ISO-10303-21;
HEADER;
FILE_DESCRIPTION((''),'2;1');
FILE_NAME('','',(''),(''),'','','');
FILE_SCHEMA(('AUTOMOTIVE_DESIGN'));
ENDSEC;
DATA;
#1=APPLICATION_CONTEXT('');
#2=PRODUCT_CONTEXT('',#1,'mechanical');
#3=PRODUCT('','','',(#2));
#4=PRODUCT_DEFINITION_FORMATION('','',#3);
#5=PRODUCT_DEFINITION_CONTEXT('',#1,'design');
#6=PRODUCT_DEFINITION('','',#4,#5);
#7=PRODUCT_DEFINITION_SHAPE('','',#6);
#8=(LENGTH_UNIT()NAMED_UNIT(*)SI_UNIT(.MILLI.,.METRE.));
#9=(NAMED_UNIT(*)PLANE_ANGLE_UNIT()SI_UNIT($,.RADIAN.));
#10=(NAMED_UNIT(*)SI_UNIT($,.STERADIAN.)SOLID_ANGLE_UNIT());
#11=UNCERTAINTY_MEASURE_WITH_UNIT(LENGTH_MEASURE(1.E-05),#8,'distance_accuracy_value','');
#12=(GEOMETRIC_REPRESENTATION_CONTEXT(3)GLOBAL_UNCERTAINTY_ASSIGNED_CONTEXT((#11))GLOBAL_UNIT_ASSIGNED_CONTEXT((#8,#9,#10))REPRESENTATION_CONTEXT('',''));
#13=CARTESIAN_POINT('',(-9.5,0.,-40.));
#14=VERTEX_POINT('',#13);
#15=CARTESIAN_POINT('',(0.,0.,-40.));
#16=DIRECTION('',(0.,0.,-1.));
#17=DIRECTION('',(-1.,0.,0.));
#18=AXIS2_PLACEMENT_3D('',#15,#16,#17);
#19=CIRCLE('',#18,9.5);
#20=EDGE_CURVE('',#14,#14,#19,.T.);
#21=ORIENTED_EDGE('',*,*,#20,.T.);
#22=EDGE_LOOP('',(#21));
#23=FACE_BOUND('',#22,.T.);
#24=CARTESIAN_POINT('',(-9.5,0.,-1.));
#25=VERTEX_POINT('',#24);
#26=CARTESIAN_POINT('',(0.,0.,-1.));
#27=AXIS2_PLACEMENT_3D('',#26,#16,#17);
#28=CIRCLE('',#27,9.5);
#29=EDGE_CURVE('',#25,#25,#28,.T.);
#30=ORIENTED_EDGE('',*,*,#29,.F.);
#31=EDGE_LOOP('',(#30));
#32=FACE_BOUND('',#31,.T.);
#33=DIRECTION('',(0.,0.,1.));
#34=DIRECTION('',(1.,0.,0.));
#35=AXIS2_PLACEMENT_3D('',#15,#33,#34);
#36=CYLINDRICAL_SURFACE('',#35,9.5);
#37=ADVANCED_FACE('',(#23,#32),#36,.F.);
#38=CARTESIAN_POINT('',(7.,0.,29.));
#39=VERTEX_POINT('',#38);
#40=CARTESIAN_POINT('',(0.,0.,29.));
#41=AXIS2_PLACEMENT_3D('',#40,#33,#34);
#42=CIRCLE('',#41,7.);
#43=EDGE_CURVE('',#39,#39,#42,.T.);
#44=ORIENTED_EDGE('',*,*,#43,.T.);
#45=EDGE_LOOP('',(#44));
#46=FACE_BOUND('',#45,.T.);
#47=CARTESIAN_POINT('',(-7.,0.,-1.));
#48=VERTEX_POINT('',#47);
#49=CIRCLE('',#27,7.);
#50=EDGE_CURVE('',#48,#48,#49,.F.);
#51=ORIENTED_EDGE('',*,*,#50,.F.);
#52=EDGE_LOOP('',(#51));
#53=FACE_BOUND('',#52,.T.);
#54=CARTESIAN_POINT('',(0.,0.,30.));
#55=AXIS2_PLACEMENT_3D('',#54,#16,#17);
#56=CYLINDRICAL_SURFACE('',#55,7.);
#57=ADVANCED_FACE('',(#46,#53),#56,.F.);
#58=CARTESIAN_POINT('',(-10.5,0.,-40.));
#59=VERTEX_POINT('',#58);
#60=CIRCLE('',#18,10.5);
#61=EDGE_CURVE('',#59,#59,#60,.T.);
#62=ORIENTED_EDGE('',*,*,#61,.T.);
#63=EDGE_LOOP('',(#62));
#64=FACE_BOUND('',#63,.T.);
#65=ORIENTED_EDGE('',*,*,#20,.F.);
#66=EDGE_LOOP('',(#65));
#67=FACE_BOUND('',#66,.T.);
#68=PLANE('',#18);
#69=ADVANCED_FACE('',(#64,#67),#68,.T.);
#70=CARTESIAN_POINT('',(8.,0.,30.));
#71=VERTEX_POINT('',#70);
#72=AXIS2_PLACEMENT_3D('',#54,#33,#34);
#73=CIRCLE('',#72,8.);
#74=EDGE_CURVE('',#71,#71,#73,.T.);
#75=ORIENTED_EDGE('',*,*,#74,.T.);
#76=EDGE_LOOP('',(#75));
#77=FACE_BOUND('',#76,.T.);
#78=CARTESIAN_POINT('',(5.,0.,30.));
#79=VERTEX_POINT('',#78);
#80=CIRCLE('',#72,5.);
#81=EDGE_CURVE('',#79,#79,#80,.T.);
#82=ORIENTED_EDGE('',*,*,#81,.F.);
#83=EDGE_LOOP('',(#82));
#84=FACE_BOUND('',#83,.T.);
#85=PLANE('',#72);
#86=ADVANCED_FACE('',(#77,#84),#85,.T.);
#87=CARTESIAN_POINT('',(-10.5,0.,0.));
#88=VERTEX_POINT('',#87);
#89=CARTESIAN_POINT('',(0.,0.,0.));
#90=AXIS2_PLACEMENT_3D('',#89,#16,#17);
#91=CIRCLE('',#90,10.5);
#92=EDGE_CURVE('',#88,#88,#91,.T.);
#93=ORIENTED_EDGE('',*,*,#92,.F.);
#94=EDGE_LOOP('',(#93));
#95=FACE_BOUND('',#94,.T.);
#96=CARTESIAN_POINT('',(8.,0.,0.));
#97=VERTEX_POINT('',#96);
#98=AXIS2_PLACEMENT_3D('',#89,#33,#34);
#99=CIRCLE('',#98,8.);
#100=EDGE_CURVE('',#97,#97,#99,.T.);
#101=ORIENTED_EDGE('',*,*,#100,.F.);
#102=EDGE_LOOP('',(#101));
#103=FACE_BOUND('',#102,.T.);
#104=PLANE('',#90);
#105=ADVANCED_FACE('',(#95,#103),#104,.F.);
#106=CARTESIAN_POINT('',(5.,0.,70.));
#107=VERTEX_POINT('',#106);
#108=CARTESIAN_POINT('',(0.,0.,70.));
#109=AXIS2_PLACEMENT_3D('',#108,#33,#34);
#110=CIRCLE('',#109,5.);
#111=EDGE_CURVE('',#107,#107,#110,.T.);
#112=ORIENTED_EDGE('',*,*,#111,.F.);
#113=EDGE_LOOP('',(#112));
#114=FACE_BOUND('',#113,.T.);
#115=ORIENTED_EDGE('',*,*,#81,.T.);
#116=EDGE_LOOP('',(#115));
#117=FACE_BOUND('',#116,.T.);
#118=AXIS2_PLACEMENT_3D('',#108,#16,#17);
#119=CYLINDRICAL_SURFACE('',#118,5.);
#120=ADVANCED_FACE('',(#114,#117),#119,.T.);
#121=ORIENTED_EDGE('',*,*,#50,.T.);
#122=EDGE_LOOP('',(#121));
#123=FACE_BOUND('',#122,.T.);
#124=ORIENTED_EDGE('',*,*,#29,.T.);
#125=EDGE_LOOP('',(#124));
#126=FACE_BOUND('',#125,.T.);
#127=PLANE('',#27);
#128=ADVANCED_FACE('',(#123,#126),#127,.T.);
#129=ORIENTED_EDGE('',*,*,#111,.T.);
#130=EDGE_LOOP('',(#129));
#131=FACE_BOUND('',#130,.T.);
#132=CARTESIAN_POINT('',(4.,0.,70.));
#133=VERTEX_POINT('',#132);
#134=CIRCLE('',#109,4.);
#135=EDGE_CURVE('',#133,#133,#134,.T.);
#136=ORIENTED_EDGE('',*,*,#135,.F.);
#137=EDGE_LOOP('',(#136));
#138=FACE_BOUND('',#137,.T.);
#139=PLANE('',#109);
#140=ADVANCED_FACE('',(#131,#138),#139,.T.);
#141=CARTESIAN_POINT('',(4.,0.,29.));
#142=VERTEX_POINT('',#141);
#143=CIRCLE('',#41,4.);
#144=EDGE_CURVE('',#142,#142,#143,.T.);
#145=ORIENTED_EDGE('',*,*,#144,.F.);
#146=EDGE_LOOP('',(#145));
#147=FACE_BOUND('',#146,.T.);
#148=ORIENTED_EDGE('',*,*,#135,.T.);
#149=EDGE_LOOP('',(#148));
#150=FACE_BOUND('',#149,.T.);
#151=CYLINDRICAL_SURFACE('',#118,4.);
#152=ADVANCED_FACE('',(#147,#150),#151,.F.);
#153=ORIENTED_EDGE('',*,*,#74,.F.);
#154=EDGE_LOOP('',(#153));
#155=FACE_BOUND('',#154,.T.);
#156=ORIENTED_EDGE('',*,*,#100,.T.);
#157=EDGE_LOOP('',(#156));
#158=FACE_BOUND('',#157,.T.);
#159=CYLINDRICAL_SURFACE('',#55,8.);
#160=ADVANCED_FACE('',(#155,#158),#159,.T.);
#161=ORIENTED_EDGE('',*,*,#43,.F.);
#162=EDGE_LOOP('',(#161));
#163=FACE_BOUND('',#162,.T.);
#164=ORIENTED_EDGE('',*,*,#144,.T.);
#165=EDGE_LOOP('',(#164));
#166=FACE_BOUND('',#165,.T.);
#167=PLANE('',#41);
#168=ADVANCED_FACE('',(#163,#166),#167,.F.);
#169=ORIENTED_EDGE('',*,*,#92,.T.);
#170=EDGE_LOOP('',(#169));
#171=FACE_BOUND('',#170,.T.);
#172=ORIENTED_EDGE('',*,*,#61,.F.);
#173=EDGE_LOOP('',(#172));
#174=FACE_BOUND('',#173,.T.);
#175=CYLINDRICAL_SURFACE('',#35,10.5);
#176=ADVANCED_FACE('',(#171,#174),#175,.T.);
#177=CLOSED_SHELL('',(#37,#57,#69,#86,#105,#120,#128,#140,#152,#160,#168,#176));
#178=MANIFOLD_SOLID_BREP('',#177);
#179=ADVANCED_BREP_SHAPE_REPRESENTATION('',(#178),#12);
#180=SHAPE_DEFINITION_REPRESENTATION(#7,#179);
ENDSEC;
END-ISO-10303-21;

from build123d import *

# Parameters (mm, degrees)
SKETCH1_R           = 8
BOSS_EXTRUDE2_DEPTH = 30
SKETCH2_R           = 5
BOSS_EXTRUDE3_DEPTH = 40
SKETCH4_R           = 10.5
BOSS_EXTRUDE4_DEPTH = 40
SHELL1_T            = -1
CUT_EXTRUDE2_REACH  = 112.998
SKETCH5_R           = 9.5


with BuildPart() as part:
    # Sketch1 → Boss-Extrude2 (new body)
    with BuildSketch(Plane.XY):
        Circle(SKETCH1_R)
    extrude(amount=BOSS_EXTRUDE2_DEPTH)

    # Sketch2 → Boss-Extrude3 (add)
    with BuildSketch(Plane.XY.offset(30)):
        Circle(SKETCH2_R)
    extrude(amount=BOSS_EXTRUDE3_DEPTH)

    # Sketch4 → Boss-Extrude4 (add)
    with BuildSketch(Plane(origin=(0, 0, 0), x_dir=(-1, 0, 0), z_dir=(0, 0, -1))):
        Circle(SKETCH4_R)
    extrude(amount=BOSS_EXTRUDE4_DEPTH)

    # Shell1
    shell1_openings = [part.faces().sort_by_distance(p)[0] for p in [
        (0, 0, 70),
    ]]
    offset(amount=SHELL1_T, openings=shell1_openings, kind=Kind.INTERSECTION)

    # Sketch5 → Cut-Extrude2 (cut, up to next)
    with BuildSketch(Plane(origin=(0, 0, -40), x_dir=(-1, 0, 0), z_dir=(0, 0, -1)), mode=Mode.PRIVATE) as cut_extrude2_sk1:
        Circle(SKETCH5_R)
    cut_extrude2_tool1 = extrude(cut_extrude2_sk1.sketch, amount=-CUT_EXTRUDE2_REACH, mode=Mode.PRIVATE) & part.part
    add(cut_extrude2_tool1.solids().sort_by_distance((0, 0, -40))[0], mode=Mode.SUBTRACT)


solid = part.part
